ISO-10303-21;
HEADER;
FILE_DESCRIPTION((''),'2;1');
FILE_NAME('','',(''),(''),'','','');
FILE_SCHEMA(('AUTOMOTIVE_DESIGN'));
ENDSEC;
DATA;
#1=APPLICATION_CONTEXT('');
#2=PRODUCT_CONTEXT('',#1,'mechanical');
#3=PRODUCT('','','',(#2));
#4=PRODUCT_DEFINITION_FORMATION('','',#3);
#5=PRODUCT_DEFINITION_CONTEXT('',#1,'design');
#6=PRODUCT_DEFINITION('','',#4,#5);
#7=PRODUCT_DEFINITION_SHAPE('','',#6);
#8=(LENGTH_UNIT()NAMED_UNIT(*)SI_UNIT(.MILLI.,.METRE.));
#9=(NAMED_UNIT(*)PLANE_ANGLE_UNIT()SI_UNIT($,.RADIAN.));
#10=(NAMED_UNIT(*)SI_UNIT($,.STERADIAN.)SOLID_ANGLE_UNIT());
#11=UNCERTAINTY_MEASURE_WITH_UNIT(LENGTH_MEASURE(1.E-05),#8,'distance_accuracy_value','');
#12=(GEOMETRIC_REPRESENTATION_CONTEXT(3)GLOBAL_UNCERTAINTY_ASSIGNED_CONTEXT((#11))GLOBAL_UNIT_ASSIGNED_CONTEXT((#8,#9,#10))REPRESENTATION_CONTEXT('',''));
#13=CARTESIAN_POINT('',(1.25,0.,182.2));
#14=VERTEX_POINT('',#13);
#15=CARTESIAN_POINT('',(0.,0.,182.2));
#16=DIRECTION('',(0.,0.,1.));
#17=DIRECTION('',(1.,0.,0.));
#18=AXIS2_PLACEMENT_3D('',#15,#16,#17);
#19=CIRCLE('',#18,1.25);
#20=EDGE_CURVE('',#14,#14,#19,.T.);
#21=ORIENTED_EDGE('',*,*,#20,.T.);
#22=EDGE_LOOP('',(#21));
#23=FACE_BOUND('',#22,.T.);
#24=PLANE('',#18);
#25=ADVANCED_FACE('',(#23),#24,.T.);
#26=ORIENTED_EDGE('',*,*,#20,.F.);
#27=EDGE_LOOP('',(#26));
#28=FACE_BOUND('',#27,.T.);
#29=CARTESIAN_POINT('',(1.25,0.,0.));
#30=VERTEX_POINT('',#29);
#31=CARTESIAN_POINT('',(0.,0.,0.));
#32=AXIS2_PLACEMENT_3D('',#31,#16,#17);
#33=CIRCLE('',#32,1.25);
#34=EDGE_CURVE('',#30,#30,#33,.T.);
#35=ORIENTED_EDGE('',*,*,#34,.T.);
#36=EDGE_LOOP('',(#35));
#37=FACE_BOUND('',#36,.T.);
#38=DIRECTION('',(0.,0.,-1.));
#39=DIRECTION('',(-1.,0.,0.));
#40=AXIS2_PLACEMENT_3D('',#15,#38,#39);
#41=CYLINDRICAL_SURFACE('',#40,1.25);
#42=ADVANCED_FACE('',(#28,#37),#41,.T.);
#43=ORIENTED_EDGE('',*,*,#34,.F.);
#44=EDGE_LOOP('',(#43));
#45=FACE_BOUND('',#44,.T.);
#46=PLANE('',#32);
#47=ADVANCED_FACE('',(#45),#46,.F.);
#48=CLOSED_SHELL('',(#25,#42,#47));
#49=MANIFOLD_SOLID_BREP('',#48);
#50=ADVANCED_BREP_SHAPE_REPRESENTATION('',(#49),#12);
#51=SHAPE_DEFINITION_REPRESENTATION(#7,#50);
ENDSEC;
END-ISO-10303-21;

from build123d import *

# Parameters (mm, degrees)
SKETCH1_R           = 1.25
BOSS_EXTRUDE1_DEPTH = 182.2


with BuildPart() as part:
    # Sketch1 → Boss-Extrude1 (new body)
    with BuildSketch(Plane.XY):
        Circle(SKETCH1_R)
    extrude(amount=BOSS_EXTRUDE1_DEPTH)


solid = part.part
